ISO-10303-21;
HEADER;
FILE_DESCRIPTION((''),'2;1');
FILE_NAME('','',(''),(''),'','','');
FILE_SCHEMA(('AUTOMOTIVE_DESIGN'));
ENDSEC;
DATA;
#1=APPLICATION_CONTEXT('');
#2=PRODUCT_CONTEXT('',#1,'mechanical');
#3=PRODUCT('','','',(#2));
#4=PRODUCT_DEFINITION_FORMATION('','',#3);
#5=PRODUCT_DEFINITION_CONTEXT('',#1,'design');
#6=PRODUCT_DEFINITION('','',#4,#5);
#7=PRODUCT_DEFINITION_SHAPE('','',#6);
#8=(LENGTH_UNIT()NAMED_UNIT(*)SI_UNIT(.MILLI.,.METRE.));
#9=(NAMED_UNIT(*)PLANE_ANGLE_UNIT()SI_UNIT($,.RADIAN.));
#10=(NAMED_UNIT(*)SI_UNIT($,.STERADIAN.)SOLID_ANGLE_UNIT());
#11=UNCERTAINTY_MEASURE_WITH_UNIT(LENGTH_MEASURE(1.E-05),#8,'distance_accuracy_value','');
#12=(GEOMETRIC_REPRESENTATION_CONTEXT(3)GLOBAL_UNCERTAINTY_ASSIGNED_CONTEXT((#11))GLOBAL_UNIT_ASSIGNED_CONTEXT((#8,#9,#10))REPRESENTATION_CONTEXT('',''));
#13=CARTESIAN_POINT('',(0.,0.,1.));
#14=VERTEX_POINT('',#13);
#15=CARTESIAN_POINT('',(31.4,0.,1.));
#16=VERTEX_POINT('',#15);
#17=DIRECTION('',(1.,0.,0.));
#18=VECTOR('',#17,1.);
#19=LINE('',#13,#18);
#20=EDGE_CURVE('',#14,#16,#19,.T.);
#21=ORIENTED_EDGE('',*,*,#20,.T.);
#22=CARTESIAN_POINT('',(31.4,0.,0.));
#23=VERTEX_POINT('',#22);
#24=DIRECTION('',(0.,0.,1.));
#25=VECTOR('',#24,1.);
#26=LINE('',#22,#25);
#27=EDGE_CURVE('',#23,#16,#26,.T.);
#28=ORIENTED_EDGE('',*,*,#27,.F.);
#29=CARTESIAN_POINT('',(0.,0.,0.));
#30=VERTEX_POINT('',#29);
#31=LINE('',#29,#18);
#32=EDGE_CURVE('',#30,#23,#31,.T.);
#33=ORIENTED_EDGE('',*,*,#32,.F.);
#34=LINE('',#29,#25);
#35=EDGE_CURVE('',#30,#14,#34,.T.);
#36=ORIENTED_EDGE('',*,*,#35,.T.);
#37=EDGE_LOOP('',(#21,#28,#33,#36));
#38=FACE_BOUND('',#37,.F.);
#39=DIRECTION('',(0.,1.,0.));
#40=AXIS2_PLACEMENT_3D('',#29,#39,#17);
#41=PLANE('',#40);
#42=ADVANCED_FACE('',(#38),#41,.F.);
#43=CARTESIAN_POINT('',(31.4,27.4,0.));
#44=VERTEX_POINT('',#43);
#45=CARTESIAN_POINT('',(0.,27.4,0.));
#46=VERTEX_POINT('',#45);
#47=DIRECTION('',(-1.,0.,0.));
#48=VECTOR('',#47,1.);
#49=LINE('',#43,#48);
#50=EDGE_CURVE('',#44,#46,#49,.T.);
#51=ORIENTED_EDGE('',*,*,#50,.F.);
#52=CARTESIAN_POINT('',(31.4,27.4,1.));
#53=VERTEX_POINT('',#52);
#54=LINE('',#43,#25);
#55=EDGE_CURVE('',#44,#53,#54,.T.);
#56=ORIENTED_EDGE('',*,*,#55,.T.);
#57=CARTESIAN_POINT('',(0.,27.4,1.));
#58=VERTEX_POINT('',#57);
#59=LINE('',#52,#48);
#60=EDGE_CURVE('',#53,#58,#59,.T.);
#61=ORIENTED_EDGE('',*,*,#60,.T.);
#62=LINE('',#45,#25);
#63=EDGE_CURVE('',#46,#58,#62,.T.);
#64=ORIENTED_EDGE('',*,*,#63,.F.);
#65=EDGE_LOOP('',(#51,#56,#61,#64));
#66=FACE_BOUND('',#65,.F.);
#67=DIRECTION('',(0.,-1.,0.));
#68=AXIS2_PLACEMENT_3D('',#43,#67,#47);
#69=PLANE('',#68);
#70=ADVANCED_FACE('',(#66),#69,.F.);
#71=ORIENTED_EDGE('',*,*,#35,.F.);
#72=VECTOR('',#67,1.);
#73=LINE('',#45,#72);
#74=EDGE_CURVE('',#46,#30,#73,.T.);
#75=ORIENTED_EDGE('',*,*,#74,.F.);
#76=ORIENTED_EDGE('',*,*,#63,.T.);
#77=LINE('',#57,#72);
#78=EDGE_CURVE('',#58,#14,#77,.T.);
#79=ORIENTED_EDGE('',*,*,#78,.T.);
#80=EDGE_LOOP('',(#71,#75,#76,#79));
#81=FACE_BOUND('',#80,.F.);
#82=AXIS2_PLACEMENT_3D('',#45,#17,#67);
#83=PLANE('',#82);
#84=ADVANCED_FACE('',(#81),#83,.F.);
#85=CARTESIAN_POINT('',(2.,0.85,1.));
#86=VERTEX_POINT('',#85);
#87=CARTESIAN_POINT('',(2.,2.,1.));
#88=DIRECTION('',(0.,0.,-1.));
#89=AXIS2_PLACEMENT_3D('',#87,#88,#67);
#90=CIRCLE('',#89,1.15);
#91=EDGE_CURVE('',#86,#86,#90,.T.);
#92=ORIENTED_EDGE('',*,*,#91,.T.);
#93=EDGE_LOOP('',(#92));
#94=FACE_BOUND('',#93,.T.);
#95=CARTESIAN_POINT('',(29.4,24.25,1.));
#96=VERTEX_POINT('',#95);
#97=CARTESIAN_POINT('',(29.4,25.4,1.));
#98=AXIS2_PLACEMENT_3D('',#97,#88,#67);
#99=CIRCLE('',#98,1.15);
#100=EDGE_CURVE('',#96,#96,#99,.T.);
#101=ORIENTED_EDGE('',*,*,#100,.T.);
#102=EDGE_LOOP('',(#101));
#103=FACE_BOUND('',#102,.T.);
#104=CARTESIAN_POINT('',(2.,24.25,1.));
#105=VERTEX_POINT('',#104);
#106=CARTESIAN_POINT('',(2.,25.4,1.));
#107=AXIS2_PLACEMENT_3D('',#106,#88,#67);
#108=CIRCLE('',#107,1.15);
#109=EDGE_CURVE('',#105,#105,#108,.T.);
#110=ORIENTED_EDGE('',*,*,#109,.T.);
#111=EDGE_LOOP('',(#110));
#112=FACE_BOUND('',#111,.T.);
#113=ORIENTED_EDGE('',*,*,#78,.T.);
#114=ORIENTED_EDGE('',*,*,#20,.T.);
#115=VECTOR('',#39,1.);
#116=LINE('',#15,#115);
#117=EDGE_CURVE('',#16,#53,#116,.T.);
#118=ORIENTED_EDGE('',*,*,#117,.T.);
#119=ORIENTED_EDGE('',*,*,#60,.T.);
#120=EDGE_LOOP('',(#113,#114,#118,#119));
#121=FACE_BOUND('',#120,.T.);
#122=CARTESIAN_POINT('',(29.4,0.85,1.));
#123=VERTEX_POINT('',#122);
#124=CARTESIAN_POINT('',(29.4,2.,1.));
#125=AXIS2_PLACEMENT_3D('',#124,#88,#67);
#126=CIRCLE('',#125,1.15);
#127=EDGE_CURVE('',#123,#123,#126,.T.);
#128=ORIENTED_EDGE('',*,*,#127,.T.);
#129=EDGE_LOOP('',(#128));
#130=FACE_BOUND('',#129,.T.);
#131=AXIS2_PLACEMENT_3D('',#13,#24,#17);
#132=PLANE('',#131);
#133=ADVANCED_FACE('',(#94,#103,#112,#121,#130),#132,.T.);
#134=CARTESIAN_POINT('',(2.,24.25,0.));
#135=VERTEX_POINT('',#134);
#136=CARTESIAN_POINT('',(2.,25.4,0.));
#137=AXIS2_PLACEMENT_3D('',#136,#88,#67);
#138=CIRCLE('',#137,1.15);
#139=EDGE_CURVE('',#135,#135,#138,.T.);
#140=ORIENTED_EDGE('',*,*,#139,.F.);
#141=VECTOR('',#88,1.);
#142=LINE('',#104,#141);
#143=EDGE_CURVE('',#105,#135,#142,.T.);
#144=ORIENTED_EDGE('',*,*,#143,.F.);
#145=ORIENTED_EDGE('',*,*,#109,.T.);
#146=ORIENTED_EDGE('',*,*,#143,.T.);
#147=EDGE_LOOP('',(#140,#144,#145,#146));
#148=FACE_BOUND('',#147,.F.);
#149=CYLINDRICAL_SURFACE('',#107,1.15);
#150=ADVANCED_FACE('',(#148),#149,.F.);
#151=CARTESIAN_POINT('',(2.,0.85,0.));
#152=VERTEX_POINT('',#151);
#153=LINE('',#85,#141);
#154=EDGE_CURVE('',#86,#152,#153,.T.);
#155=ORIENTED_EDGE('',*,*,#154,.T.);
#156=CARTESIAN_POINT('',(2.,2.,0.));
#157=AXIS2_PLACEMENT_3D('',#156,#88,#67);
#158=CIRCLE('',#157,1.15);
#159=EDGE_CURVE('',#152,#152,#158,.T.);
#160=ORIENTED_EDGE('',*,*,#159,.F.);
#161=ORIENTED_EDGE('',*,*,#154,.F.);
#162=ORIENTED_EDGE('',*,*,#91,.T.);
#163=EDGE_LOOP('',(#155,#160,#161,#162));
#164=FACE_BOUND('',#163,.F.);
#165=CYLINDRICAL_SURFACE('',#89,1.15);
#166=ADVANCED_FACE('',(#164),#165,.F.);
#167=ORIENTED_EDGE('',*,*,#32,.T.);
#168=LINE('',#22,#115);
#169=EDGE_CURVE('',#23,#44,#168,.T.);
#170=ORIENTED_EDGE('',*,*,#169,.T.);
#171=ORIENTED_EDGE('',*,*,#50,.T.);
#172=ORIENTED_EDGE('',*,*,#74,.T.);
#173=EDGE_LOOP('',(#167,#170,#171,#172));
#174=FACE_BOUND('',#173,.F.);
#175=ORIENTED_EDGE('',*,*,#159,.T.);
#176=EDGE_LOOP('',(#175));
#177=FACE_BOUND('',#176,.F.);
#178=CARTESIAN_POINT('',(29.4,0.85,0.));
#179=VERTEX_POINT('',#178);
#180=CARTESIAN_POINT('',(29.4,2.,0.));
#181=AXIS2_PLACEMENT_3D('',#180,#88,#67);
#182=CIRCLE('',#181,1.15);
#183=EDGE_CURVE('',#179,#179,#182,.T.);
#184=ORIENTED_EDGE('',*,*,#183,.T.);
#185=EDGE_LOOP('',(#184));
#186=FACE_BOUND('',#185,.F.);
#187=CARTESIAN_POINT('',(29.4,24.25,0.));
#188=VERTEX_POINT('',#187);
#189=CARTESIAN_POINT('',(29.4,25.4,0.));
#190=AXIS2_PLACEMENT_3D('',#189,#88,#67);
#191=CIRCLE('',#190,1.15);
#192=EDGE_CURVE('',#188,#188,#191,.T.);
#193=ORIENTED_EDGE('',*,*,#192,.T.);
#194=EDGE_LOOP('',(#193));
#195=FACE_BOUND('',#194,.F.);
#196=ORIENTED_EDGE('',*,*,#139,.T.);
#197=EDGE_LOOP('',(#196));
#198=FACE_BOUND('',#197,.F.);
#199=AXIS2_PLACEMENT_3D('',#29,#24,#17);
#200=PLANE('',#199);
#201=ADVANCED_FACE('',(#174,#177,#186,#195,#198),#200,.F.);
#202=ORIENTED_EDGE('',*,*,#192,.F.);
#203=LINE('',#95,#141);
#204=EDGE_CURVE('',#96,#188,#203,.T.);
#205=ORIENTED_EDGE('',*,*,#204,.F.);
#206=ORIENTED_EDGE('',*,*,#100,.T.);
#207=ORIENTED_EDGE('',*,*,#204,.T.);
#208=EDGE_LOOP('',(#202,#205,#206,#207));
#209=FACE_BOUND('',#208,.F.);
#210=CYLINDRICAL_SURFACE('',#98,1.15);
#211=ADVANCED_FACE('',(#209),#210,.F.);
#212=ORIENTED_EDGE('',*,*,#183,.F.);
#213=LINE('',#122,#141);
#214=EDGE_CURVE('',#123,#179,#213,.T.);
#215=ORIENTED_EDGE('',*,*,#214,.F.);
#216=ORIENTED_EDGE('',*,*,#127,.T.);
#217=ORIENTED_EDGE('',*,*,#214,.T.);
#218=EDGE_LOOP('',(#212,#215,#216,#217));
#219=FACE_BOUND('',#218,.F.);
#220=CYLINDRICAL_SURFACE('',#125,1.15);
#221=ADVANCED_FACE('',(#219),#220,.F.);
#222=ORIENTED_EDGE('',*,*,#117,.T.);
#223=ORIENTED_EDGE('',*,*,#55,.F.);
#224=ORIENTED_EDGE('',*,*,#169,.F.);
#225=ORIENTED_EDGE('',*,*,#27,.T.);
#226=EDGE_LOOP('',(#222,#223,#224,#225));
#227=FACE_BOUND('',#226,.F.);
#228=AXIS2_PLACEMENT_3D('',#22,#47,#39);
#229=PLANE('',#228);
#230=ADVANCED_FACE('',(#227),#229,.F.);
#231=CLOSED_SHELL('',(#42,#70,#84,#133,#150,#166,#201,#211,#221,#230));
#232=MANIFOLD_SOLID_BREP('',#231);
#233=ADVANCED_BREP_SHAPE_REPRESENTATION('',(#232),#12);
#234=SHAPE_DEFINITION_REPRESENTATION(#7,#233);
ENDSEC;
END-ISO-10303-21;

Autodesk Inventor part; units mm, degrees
ref_plane "YZ Plane" through (0, 0, 0) normal (1, 0, 0) x (0, 1, 0)
ref_plane "XZ Plane" through (0, 0, 0) normal (0, 1, 0) x (-1, 0, 0)
ref_plane "XY Plane" through (0, 0, 0) normal (0, 0, 1) x (1, 0, 0)
sketch "Sketch1" plane through (0, 0, 0) normal (0, 0, 1) x (1, 0, 0)
  line L0 (0, 0) -> (31.4, 0)
  line L1 (31.4, 0) -> (31.4, 27.4)
  line L2 (31.4, 27.4) -> (0, 27.4)
  line L3 (0, 27.4) -> (0, 0)
  dimension "d0" = 31.4
  dimension "d1" = 27.4
extrude "Extrusion1" add sketch "Sketch1" along normal blind 1
sketch "Sketch17" plane through (0, 0, 1) normal (0, 0, 1) x (1, 0, 0)
  line L0 (2, 25.4) -> (29.4, 25.4) construction
  line L1 (29.4, 25.4) -> (29.4, 2) construction
  line L2 (29.4, 2) -> (2, 2) construction
  line L3 (2, 2) -> (2, 25.4) construction
  line L4 (0, 0) -> (0, 27.4) construction
  line L5 (0, 27.4) -> (31.4, 27.4) construction
  dimension "d169" = 27.4
  dimension "d170" = 23.4
  dimension "d171" = 2
  dimension "d172" = 2
hole "Hole16" at (2, 25.4, 1) at (29.4, 25.4, 1) at (29.4, 2, 1) at (2, 2, 1) direction (0, 0, -1) diameter 2.3 end through all
properties part number "Mixer IQ Box ND20" material "Aluminum-6061"
